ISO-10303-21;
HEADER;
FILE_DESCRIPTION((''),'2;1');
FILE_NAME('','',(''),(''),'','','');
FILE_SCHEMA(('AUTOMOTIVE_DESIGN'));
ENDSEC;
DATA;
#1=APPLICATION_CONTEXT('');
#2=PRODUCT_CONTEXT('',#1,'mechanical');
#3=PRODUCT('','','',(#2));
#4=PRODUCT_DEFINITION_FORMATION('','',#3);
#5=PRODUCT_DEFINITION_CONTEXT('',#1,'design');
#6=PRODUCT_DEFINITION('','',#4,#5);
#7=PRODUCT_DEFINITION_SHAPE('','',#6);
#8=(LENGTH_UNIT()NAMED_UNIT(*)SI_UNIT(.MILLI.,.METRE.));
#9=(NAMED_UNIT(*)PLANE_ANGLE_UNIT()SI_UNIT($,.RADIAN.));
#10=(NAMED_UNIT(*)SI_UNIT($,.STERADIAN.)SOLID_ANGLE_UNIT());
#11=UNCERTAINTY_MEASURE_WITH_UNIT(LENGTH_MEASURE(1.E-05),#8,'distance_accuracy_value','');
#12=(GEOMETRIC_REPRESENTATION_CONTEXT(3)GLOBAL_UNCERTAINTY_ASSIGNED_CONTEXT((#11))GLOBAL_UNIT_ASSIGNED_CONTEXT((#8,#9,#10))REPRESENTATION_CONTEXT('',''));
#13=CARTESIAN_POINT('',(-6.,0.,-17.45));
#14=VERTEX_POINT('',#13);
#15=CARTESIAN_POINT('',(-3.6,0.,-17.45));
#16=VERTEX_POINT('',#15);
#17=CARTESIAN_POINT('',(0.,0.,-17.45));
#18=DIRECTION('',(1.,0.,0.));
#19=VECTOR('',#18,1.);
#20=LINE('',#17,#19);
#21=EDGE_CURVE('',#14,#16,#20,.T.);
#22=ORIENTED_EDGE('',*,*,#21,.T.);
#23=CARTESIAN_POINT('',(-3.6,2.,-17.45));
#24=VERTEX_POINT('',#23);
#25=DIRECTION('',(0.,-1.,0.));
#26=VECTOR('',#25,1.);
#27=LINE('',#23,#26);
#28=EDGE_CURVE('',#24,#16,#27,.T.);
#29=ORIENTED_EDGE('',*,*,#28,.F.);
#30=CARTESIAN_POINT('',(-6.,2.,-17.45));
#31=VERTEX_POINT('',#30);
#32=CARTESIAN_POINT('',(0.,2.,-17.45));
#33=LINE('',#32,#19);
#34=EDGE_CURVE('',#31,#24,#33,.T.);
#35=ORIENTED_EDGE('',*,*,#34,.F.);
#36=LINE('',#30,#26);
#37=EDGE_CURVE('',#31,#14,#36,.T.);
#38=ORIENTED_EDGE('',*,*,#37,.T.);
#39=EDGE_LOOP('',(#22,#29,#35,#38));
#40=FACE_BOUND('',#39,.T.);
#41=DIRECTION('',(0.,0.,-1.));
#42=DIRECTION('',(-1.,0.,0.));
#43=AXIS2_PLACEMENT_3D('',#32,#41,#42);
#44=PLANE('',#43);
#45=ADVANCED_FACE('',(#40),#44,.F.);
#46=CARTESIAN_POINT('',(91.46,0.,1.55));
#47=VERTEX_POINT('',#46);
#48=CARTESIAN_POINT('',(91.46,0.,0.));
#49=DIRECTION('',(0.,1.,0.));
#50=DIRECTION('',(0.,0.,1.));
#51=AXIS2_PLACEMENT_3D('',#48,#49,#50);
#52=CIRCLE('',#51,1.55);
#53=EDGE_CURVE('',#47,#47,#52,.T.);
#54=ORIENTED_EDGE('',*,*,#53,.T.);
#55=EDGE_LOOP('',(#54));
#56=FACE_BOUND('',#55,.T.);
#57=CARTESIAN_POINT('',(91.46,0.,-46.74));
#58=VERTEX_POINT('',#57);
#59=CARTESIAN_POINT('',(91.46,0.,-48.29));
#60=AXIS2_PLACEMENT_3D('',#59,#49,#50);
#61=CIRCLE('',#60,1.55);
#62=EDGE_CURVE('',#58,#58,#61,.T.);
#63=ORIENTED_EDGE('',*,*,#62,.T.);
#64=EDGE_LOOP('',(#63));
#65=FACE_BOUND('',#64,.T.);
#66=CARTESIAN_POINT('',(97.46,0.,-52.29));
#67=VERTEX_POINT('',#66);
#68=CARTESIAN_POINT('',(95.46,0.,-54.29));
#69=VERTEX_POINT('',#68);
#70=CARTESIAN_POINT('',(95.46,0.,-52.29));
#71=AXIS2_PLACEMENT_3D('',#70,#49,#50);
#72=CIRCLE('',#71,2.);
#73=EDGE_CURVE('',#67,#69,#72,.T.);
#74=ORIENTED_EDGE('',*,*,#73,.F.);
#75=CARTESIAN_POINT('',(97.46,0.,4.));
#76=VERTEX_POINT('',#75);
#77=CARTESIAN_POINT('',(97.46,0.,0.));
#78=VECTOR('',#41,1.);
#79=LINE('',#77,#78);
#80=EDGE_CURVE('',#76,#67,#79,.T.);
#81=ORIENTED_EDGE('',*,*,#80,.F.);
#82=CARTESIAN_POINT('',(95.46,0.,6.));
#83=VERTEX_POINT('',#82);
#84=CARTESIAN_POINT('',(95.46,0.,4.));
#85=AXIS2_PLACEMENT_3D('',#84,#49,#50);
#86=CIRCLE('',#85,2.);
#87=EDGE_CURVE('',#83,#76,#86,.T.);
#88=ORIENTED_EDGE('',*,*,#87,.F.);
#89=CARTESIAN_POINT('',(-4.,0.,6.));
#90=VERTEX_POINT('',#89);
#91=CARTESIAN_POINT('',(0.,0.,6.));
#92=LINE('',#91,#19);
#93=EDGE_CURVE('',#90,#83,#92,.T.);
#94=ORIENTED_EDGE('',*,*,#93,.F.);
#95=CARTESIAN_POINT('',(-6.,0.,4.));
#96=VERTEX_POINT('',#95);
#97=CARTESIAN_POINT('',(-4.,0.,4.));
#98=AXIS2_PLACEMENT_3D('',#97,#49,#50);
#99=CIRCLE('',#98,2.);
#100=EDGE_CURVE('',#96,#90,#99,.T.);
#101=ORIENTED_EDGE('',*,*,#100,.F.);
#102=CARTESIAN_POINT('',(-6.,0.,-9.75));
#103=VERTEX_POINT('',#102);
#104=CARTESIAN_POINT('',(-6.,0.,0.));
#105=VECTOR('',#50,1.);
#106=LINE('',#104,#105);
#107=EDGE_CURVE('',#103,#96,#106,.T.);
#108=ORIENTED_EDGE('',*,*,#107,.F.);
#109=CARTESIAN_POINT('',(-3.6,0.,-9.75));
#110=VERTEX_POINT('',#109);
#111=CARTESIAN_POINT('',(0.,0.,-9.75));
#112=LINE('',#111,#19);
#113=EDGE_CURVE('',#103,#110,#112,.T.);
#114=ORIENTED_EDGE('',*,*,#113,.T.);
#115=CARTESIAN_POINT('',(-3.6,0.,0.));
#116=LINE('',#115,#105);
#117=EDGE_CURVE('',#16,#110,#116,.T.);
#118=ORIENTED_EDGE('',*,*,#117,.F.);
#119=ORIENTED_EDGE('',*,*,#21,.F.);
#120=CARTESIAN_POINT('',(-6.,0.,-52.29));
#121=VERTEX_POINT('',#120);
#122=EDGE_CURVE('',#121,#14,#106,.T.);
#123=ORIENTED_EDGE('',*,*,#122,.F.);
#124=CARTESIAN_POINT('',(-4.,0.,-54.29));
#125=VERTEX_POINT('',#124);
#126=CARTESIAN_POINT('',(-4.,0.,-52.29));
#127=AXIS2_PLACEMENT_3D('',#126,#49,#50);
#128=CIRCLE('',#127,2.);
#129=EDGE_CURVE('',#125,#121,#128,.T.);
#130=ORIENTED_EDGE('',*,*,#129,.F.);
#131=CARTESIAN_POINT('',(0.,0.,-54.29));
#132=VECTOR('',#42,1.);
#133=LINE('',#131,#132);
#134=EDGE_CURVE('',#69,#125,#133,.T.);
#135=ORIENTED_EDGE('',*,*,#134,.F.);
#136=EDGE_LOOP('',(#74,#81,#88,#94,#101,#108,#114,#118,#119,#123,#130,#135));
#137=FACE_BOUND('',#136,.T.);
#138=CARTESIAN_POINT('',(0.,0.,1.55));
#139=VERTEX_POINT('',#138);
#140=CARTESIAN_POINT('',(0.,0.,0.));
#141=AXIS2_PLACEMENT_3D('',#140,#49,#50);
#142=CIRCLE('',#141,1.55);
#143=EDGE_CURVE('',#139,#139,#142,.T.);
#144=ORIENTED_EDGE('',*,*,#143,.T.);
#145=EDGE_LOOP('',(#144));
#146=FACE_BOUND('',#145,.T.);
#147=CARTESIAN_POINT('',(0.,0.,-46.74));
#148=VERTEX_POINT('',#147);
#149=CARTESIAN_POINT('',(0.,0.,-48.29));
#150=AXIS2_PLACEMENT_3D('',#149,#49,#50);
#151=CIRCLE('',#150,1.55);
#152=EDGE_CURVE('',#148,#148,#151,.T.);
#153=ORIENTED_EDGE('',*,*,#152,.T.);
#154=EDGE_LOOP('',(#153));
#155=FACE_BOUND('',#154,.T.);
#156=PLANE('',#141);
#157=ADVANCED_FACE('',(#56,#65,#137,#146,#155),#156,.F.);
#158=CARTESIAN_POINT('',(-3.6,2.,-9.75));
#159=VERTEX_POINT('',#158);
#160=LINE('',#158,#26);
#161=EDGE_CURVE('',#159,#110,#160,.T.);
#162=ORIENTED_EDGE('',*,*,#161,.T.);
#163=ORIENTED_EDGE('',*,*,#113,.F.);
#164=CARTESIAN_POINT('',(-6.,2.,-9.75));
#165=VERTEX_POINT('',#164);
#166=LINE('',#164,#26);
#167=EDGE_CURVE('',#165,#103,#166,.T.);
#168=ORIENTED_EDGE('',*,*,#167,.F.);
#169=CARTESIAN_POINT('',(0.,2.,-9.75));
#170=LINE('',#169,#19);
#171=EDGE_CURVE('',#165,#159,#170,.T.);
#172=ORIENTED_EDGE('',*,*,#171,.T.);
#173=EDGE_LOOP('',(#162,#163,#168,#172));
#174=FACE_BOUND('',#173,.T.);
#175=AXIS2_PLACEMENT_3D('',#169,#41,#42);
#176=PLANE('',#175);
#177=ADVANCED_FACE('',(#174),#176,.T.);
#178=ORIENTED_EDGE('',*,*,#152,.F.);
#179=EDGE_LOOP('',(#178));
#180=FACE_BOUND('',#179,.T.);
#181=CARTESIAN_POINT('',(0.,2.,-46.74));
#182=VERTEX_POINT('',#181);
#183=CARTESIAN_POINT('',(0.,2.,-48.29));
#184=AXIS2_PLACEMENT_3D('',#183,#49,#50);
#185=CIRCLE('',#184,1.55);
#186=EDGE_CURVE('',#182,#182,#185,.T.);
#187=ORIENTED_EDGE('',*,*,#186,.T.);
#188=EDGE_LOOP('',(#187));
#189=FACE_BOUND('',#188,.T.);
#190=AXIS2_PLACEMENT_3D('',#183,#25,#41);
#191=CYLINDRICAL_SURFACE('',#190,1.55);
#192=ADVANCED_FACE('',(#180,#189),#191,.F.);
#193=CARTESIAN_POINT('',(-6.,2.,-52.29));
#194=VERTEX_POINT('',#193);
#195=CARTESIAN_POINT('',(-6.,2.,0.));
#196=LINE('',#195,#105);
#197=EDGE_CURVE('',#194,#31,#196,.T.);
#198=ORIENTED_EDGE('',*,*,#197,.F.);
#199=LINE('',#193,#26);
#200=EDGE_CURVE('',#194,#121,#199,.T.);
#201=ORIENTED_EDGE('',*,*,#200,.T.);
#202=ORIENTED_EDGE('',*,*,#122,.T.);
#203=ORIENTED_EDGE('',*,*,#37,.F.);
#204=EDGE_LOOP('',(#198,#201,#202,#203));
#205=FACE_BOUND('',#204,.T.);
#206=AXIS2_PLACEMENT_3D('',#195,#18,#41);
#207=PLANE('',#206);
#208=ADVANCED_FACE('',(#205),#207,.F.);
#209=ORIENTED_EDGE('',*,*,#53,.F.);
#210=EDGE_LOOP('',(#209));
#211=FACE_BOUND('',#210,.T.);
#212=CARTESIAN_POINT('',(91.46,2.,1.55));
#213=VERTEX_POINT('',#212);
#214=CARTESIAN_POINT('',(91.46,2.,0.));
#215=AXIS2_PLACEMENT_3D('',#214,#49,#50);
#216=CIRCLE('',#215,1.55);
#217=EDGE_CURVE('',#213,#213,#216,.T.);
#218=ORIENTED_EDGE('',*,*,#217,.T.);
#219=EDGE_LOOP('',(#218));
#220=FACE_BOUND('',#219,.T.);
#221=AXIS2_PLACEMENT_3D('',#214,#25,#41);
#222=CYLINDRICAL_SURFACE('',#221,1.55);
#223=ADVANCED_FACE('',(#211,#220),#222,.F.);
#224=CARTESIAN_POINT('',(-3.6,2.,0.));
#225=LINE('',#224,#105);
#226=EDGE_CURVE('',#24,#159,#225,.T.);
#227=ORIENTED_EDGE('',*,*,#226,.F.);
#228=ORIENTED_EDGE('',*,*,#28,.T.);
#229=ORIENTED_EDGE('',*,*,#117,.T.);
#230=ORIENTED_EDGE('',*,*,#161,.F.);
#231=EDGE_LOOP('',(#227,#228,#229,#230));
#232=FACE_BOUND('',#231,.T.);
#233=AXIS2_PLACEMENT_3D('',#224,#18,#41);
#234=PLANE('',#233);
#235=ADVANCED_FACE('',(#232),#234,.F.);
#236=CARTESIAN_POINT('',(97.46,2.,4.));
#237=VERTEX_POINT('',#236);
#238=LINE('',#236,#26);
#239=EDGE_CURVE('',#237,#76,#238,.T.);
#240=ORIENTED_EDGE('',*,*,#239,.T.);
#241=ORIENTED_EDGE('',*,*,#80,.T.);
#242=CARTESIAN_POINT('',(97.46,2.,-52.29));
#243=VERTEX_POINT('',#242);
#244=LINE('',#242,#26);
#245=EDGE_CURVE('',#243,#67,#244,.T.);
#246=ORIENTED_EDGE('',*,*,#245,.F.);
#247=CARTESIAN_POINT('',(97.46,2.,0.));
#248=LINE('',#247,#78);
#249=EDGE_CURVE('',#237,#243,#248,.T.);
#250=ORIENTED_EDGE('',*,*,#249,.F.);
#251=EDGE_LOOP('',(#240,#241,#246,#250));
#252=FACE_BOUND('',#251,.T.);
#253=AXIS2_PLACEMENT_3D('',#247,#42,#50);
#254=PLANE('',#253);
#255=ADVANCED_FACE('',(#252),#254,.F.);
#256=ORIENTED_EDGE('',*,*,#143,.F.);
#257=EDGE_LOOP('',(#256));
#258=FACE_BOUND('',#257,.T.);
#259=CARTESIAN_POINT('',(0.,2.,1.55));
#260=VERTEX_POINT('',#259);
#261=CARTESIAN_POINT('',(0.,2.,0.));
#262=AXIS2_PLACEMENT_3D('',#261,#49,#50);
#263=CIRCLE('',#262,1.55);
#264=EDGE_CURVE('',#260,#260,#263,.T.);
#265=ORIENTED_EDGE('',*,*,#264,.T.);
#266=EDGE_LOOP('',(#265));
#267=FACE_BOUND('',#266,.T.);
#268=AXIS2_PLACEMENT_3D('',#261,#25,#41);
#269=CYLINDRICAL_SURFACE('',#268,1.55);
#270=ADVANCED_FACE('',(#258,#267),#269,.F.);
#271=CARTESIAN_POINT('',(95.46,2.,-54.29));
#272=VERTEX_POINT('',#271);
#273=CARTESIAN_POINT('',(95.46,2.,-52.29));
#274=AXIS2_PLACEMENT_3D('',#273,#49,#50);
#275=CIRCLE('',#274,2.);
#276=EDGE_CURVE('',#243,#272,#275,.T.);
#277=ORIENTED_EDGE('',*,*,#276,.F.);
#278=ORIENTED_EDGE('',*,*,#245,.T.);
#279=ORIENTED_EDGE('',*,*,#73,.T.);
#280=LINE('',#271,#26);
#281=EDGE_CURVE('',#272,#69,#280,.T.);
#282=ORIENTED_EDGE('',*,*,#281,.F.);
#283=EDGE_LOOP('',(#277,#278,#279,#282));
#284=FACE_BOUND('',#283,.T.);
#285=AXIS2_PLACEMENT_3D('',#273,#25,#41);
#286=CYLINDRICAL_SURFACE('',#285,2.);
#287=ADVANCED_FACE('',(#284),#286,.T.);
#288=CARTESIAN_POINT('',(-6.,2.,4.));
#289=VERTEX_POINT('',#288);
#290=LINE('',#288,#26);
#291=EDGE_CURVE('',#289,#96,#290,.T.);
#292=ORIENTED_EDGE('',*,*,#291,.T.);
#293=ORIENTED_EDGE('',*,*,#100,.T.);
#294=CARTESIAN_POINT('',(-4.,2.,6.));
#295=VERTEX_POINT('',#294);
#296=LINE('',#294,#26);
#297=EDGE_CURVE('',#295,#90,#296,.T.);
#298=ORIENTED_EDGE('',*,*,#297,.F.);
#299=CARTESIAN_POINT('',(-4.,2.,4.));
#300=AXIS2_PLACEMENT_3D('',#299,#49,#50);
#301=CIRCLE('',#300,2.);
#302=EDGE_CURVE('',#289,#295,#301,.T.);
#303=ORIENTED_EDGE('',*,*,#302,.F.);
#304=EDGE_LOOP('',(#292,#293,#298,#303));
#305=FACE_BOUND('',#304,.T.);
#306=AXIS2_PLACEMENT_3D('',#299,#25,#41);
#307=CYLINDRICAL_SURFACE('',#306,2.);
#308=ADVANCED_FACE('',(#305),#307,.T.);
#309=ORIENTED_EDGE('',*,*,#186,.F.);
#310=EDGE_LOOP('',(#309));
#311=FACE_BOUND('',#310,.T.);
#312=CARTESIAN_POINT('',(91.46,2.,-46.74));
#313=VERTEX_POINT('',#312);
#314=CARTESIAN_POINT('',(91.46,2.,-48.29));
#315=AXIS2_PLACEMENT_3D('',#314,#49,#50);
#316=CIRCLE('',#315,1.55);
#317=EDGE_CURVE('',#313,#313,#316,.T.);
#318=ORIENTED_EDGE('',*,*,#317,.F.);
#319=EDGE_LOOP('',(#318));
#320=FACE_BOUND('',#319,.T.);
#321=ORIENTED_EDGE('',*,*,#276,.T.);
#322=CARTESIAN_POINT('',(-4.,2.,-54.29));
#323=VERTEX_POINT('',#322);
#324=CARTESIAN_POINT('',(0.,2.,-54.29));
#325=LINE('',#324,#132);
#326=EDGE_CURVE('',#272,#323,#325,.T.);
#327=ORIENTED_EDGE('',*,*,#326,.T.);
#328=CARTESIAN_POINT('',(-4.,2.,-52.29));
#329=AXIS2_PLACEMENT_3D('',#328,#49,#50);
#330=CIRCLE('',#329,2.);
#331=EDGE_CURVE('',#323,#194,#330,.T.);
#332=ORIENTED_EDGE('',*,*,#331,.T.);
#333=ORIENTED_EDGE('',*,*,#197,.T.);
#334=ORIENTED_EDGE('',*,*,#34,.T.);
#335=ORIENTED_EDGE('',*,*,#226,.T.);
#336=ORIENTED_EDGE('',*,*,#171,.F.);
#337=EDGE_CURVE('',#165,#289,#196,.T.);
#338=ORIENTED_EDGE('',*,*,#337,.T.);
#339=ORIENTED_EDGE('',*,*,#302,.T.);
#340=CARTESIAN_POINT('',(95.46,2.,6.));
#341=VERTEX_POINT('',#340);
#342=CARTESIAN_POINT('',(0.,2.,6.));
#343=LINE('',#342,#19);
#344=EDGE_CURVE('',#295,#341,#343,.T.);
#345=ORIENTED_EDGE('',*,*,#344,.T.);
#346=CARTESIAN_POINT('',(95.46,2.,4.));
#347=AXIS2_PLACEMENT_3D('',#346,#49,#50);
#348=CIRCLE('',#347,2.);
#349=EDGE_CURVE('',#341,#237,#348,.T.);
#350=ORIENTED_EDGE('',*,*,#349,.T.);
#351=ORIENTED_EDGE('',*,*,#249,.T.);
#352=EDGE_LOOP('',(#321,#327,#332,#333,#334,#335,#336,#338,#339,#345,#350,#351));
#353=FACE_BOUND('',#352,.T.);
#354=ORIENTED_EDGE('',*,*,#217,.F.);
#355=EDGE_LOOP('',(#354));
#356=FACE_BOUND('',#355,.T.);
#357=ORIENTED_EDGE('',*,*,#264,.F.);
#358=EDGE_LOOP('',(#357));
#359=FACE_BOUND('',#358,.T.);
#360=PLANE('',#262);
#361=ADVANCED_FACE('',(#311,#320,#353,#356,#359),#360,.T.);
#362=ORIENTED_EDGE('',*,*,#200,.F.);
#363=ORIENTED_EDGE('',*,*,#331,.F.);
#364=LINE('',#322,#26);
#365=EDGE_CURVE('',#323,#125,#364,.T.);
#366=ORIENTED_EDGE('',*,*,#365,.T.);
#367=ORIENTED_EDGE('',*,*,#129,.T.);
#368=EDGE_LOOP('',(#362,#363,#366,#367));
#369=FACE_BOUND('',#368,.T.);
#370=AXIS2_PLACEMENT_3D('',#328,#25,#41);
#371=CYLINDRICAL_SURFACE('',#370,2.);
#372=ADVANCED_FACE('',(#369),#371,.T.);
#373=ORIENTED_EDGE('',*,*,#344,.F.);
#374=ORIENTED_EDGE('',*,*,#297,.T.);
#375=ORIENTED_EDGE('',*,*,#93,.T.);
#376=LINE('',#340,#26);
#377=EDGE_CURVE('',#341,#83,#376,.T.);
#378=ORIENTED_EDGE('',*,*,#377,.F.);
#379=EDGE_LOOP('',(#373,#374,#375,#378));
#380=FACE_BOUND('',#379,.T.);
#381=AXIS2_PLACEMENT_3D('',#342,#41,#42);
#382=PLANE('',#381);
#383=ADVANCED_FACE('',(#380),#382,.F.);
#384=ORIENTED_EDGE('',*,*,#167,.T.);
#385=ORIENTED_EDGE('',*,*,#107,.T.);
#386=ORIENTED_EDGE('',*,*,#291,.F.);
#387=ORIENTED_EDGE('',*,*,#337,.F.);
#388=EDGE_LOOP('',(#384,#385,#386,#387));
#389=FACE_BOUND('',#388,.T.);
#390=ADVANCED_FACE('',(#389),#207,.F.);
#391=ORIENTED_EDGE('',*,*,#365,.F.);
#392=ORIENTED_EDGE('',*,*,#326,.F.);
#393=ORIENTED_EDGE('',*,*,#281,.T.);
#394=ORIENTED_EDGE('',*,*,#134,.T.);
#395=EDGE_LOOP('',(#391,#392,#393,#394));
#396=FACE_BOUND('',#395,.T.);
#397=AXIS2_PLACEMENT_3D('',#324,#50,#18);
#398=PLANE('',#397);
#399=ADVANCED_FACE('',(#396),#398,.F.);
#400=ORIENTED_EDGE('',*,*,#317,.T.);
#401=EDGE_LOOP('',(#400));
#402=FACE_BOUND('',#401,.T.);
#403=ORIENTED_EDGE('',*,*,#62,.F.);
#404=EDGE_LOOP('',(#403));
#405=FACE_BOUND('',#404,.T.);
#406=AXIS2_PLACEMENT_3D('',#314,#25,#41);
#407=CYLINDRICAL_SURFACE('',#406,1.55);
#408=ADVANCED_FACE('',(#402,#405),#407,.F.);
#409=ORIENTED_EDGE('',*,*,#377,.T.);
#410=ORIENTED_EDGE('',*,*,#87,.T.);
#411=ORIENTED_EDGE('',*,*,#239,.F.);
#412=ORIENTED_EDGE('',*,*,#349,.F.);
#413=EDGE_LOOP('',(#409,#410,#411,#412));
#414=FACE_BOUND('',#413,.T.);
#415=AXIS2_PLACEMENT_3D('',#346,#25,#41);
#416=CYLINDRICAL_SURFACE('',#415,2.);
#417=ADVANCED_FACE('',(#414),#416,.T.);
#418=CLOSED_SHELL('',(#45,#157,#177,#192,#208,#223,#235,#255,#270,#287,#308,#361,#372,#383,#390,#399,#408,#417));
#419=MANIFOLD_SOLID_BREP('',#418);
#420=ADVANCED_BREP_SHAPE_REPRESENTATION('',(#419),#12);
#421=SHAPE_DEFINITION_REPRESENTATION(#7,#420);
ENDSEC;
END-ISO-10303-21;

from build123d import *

# Parameters (mm, degrees)
SKETCH_1_R      = 1.55
EXTRUDE_1_DEPTH = 2


with BuildPart() as part:
    # 草图1 → 凸台-拉伸1 (new body)
    with BuildSketch(Plane(origin=(0, 0, 0), x_dir=(1, 0, 0), z_dir=(0, 1, 0))):
        with BuildLine():
            Line((97.46, -4), (97.46, 52.29))
            ThreePointArc((97.46, 52.29), (96.874213562, 53.704213562), (95.46, 54.29))
            Line((95.46, 54.29), (-4, 54.29))
            ThreePointArc((-4, 54.29), (-5.414213562, 53.704213562), (-6, 52.29))
            Line((-6, 52.29), (-6, 17.45))
            Line((-6, 17.45), (-3.6, 17.45))
            Line((-3.6, 17.45), (-3.6, 9.75))
            Line((-3.6, 9.75), (-6, 9.75))
            Line((-6, 9.75), (-6, -4))
            ThreePointArc((-6, -4), (-5.414213562, -5.414213562), (-4, -6))
            Line((-4, -6), (95.46, -6))
            ThreePointArc((95.46, -6), (96.874213562, -5.414213562), (97.46, -4))
        make_face()
        Circle(SKETCH_1_R, mode=Mode.SUBTRACT)
        with Locations((91.46, 0)):
            Circle(SKETCH_1_R, mode=Mode.SUBTRACT)
        with Locations((0, 48.29)):
            Circle(SKETCH_1_R, mode=Mode.SUBTRACT)
        with Locations((91.46, 48.29)):
            Circle(SKETCH_1_R, mode=Mode.SUBTRACT)
    extrude(amount=EXTRUDE_1_DEPTH)


solid = part.part
